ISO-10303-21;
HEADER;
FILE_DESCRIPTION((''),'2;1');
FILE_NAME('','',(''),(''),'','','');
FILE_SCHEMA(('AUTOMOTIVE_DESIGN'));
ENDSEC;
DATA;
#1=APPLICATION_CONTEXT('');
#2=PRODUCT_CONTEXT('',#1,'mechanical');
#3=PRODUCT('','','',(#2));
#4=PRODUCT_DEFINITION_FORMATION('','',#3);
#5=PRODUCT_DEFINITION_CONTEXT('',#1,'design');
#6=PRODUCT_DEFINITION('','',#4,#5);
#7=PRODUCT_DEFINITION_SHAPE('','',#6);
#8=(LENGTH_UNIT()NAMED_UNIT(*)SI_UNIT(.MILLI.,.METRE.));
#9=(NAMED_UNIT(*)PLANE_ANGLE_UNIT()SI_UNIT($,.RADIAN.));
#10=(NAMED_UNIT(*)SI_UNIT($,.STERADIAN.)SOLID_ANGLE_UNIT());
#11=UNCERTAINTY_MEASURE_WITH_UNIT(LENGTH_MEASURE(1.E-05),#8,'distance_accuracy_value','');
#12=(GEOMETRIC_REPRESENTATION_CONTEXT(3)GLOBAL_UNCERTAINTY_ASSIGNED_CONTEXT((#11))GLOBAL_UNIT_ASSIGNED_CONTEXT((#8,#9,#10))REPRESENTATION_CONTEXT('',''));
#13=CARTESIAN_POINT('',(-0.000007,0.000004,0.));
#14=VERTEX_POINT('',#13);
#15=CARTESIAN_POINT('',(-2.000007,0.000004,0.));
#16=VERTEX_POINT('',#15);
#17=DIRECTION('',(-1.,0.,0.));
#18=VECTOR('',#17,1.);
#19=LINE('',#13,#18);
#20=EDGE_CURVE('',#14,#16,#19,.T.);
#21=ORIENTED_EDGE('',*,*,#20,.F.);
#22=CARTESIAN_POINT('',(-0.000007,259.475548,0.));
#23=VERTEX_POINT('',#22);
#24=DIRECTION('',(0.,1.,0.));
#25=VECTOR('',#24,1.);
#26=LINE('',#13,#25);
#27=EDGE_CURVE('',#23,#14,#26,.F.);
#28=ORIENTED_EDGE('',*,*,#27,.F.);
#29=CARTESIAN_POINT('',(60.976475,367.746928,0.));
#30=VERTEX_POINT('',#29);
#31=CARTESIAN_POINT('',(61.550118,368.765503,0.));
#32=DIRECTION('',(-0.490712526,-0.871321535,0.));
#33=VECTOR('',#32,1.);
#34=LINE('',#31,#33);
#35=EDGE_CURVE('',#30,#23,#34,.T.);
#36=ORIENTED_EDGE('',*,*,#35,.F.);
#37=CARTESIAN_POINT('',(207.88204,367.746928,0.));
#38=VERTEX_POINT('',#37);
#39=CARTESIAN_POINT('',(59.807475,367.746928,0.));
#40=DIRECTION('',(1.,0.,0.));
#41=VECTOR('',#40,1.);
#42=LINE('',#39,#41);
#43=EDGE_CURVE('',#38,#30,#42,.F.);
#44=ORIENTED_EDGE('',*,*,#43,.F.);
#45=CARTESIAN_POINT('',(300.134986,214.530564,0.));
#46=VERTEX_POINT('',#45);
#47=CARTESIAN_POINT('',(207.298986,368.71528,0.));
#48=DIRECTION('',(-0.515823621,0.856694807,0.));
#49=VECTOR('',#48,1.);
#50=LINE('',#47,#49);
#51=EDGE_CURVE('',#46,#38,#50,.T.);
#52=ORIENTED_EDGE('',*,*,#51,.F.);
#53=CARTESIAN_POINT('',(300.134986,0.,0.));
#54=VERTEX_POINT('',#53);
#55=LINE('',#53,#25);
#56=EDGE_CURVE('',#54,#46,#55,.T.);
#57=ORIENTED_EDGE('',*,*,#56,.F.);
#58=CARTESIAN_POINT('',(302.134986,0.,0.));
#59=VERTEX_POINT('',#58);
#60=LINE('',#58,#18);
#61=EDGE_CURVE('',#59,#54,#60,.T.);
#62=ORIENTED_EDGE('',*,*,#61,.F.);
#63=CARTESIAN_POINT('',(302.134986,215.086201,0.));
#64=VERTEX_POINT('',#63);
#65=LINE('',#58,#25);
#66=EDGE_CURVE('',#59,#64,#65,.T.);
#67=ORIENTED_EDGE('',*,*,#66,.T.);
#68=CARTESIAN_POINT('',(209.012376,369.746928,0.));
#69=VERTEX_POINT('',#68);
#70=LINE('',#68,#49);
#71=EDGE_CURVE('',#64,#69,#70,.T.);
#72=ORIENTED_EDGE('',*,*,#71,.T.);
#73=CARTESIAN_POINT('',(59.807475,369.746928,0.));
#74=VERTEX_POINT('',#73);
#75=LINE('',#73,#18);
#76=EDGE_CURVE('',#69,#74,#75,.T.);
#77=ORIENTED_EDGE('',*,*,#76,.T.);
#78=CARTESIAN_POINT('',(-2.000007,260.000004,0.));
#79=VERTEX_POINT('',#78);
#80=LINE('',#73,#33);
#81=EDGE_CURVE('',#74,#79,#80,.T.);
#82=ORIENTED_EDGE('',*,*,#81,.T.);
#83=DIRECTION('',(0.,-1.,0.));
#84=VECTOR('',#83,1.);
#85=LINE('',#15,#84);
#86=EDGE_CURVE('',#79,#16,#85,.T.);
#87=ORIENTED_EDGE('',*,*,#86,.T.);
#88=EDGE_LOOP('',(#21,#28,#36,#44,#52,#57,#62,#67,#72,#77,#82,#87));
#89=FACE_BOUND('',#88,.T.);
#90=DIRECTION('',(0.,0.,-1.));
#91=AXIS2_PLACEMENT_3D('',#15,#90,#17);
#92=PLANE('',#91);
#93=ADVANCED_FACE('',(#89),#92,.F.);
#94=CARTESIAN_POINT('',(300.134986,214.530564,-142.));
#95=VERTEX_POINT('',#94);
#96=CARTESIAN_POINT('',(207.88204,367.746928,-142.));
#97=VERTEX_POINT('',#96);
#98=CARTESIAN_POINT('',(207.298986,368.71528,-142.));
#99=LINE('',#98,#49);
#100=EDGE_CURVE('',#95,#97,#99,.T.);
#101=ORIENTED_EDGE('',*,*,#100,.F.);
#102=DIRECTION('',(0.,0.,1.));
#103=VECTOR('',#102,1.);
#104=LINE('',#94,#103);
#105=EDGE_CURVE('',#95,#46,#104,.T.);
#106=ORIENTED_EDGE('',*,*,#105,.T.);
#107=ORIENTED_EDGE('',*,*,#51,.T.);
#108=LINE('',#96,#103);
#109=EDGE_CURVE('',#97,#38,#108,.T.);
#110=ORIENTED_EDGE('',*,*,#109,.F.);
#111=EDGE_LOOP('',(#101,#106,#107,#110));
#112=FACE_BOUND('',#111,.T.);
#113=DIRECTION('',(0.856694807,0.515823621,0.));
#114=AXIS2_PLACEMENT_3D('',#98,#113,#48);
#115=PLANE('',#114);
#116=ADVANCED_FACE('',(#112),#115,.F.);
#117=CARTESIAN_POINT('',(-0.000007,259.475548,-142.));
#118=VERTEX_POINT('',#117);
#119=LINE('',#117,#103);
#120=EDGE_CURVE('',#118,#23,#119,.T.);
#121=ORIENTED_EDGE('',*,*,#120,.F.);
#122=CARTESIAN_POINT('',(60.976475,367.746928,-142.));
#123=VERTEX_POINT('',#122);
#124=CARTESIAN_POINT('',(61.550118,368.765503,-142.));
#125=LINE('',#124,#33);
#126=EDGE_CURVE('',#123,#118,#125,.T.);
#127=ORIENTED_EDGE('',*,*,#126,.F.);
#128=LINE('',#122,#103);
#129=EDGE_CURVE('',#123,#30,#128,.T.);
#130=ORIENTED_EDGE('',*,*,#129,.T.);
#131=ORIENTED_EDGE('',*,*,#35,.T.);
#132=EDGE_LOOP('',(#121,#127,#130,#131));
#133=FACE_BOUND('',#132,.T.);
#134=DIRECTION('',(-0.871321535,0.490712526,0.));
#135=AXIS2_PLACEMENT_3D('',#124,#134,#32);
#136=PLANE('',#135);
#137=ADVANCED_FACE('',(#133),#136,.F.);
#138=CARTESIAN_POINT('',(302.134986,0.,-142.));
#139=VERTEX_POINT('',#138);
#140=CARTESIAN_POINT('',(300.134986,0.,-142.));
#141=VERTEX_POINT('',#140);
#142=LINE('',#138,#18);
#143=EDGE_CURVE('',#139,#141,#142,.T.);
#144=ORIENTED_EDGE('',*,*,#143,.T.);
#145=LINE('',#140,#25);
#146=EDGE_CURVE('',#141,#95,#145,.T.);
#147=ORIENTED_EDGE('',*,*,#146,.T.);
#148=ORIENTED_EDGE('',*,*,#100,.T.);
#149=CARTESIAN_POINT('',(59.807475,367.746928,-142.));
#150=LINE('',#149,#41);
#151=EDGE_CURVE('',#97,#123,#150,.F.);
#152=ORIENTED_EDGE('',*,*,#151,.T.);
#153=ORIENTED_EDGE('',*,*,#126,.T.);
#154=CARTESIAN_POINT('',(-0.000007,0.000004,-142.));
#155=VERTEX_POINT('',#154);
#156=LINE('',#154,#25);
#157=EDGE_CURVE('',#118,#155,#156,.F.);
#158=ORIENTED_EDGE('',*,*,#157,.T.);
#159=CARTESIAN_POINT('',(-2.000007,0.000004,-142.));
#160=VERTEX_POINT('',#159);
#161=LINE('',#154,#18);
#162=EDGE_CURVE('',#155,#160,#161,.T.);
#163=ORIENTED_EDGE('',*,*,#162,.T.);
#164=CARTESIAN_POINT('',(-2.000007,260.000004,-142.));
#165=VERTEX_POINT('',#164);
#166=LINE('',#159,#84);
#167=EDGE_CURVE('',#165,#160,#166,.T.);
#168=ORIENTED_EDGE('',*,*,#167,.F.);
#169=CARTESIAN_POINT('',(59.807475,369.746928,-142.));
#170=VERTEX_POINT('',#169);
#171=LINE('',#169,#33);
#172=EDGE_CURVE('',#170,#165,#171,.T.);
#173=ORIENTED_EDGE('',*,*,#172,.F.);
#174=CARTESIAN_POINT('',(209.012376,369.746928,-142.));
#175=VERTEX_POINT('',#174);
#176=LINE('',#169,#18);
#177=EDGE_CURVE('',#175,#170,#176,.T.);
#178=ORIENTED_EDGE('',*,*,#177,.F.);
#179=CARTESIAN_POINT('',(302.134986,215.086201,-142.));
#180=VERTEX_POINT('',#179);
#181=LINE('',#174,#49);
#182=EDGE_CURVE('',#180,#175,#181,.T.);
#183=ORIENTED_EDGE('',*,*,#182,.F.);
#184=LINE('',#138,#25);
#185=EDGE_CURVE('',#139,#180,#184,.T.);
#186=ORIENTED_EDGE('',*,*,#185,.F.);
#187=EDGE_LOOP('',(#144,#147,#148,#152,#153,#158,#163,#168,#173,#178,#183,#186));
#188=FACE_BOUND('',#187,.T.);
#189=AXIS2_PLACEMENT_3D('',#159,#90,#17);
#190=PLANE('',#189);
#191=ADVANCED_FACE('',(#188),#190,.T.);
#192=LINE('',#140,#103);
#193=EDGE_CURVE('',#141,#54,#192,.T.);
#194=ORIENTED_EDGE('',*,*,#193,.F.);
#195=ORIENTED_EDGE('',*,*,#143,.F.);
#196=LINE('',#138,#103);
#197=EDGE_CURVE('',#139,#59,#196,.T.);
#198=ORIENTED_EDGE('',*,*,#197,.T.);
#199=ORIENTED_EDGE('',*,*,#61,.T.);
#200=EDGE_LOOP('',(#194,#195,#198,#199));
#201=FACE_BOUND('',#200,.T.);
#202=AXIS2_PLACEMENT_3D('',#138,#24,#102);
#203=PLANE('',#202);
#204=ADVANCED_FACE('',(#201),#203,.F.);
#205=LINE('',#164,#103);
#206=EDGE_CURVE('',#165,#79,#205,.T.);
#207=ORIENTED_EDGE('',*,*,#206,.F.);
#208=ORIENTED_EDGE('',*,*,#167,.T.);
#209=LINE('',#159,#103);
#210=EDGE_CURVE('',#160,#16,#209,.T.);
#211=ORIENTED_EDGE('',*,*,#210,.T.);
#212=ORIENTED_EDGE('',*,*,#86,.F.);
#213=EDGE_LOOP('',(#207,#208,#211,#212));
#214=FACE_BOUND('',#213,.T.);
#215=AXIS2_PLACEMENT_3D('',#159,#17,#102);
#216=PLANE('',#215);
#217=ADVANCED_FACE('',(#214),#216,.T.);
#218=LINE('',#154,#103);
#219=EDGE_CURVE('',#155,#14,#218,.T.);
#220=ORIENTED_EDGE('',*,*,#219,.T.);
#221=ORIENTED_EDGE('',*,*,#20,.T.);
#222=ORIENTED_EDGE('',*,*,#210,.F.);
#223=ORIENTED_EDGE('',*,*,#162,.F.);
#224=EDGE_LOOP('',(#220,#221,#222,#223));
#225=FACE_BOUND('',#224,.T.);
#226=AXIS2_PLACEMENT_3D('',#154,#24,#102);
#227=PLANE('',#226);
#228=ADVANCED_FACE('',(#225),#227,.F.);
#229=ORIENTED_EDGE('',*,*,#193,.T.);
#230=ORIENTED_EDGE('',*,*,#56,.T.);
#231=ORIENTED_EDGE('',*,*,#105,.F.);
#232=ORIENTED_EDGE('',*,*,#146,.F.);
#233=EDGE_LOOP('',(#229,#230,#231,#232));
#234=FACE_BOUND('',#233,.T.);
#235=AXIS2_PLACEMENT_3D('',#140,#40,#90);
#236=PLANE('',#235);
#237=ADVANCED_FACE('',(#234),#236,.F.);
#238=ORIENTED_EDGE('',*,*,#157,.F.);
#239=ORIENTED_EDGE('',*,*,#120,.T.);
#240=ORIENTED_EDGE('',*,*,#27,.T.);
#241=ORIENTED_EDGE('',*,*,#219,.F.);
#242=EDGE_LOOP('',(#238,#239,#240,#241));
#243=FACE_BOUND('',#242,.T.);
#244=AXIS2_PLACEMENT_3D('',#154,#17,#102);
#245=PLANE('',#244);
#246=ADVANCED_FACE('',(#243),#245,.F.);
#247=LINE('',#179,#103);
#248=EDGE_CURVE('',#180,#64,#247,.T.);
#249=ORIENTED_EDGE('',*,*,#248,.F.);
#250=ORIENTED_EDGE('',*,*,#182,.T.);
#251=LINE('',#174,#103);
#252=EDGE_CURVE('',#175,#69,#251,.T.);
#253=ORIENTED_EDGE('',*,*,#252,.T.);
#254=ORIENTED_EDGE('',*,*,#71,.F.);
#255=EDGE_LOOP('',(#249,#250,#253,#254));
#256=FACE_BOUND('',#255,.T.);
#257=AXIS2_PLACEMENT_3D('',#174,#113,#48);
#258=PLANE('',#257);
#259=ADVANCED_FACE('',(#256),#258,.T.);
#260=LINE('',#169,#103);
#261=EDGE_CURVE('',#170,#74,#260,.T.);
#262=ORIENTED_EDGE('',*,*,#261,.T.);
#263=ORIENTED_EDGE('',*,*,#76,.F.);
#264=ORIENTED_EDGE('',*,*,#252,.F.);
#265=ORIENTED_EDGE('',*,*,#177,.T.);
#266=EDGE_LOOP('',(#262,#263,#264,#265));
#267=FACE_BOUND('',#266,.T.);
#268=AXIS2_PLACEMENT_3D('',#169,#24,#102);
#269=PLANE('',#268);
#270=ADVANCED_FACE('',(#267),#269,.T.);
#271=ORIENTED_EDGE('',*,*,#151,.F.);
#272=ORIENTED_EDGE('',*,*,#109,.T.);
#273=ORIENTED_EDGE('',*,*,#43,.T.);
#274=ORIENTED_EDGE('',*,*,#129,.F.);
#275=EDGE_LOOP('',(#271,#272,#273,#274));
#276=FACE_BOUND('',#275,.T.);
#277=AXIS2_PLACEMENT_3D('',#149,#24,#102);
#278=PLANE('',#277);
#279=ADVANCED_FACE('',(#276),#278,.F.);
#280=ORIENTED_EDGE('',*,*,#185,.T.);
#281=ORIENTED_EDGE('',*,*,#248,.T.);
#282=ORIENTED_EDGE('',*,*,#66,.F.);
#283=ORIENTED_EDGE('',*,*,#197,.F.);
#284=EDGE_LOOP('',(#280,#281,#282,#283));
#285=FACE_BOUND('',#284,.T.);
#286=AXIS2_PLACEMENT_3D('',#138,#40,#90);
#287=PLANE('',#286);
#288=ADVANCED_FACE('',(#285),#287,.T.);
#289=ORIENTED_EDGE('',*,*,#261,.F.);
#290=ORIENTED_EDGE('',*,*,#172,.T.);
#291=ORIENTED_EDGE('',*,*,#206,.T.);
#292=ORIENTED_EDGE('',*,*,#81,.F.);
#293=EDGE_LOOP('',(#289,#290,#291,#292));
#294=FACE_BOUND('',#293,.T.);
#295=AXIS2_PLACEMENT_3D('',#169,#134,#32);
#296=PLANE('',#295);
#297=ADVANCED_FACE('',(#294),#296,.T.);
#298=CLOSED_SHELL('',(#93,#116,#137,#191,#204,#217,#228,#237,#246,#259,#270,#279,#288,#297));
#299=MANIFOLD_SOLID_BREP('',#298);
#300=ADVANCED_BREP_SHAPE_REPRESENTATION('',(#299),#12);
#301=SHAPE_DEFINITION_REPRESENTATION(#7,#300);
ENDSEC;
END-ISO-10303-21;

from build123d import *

# Parameters (mm, degrees)
EXTRUDE_1_DEPTH = 142


with BuildPart() as part:
    # Эскиз1 → Вытянуть-Тонкостенный1 (new body)
    with BuildSketch(Plane.XY):
        Polygon((-2.000007305, 3.805e-06), (-2.000007305, 260.000004066), (59.807474711, 369.746927632), (209.01237589, 369.746927632), (302.134985909, 215.086200501), (302.134985909, -3.32e-07), (300.134985909, -3.32e-07), (300.134985909, 214.530564088), (207.882040151, 367.746927632), (60.976474796, 367.746927632), (-7.305e-06, 259.475548469), (-7.305e-06, 3.805e-06), align=None)
    extrude(amount=-EXTRUDE_1_DEPTH)


solid = part.part
